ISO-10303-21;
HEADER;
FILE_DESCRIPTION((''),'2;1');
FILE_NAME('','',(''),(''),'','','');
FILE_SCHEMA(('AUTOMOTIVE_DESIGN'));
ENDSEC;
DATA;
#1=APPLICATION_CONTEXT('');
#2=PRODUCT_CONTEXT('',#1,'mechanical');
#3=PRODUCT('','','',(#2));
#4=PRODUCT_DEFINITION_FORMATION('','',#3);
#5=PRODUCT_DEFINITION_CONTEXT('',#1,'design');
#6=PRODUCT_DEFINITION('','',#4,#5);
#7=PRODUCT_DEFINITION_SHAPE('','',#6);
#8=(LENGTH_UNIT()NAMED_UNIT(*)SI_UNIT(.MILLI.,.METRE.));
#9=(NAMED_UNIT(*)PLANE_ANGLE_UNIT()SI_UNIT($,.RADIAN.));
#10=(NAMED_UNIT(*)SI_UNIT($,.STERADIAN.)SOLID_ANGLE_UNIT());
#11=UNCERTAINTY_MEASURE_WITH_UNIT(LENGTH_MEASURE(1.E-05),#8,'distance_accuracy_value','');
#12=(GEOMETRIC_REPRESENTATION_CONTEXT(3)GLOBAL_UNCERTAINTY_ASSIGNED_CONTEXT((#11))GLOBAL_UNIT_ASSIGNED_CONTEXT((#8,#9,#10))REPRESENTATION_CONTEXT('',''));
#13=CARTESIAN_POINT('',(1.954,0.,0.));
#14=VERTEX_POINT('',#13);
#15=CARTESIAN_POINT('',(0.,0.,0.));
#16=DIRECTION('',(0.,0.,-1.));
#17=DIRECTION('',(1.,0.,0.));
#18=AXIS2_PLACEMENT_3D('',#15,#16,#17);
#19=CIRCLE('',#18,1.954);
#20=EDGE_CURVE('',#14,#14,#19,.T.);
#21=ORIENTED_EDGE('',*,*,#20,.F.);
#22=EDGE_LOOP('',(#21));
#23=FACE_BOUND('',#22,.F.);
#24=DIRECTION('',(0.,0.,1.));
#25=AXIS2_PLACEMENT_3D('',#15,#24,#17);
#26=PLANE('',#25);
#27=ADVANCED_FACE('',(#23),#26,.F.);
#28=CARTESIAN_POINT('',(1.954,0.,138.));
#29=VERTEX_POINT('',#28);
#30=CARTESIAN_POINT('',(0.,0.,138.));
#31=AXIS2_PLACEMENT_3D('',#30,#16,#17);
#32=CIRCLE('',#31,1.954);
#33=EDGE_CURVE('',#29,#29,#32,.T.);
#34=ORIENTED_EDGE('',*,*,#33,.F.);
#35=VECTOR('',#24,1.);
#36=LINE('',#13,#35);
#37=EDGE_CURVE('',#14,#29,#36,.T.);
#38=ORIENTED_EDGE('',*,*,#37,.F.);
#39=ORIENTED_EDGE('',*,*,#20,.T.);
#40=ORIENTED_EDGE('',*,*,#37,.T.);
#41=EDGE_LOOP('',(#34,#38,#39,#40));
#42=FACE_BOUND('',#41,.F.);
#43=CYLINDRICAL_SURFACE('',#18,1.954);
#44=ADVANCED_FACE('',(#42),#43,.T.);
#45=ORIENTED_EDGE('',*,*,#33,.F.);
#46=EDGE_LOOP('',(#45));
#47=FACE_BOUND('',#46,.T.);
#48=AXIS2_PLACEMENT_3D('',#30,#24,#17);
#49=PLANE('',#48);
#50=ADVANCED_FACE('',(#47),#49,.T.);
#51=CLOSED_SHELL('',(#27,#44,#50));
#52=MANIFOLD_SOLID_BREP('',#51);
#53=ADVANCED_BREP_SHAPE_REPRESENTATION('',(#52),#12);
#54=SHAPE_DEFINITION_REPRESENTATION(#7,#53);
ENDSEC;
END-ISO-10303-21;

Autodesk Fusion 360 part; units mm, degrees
sketch "Boceto1" plane through (0, 0, 0) normal (0, 0, 1) x (1, 0, 0)
  circle A0 centre (0, 0) radius 2
  dimension "d1" = 4
extrude "Extruir1" add sketch "Boceto1" along normal blind 138
thread "Rosca1" "ISO Metric profile 4.0 M4x0.7 M4x0.7 6g" major diameter 3.908 minor diameter 3.111 pitch 0.7 angle 60 resizes the face on face at (1.9975, -0.0997, 92)
equation "d2 = 150 mm - 12 mm"
